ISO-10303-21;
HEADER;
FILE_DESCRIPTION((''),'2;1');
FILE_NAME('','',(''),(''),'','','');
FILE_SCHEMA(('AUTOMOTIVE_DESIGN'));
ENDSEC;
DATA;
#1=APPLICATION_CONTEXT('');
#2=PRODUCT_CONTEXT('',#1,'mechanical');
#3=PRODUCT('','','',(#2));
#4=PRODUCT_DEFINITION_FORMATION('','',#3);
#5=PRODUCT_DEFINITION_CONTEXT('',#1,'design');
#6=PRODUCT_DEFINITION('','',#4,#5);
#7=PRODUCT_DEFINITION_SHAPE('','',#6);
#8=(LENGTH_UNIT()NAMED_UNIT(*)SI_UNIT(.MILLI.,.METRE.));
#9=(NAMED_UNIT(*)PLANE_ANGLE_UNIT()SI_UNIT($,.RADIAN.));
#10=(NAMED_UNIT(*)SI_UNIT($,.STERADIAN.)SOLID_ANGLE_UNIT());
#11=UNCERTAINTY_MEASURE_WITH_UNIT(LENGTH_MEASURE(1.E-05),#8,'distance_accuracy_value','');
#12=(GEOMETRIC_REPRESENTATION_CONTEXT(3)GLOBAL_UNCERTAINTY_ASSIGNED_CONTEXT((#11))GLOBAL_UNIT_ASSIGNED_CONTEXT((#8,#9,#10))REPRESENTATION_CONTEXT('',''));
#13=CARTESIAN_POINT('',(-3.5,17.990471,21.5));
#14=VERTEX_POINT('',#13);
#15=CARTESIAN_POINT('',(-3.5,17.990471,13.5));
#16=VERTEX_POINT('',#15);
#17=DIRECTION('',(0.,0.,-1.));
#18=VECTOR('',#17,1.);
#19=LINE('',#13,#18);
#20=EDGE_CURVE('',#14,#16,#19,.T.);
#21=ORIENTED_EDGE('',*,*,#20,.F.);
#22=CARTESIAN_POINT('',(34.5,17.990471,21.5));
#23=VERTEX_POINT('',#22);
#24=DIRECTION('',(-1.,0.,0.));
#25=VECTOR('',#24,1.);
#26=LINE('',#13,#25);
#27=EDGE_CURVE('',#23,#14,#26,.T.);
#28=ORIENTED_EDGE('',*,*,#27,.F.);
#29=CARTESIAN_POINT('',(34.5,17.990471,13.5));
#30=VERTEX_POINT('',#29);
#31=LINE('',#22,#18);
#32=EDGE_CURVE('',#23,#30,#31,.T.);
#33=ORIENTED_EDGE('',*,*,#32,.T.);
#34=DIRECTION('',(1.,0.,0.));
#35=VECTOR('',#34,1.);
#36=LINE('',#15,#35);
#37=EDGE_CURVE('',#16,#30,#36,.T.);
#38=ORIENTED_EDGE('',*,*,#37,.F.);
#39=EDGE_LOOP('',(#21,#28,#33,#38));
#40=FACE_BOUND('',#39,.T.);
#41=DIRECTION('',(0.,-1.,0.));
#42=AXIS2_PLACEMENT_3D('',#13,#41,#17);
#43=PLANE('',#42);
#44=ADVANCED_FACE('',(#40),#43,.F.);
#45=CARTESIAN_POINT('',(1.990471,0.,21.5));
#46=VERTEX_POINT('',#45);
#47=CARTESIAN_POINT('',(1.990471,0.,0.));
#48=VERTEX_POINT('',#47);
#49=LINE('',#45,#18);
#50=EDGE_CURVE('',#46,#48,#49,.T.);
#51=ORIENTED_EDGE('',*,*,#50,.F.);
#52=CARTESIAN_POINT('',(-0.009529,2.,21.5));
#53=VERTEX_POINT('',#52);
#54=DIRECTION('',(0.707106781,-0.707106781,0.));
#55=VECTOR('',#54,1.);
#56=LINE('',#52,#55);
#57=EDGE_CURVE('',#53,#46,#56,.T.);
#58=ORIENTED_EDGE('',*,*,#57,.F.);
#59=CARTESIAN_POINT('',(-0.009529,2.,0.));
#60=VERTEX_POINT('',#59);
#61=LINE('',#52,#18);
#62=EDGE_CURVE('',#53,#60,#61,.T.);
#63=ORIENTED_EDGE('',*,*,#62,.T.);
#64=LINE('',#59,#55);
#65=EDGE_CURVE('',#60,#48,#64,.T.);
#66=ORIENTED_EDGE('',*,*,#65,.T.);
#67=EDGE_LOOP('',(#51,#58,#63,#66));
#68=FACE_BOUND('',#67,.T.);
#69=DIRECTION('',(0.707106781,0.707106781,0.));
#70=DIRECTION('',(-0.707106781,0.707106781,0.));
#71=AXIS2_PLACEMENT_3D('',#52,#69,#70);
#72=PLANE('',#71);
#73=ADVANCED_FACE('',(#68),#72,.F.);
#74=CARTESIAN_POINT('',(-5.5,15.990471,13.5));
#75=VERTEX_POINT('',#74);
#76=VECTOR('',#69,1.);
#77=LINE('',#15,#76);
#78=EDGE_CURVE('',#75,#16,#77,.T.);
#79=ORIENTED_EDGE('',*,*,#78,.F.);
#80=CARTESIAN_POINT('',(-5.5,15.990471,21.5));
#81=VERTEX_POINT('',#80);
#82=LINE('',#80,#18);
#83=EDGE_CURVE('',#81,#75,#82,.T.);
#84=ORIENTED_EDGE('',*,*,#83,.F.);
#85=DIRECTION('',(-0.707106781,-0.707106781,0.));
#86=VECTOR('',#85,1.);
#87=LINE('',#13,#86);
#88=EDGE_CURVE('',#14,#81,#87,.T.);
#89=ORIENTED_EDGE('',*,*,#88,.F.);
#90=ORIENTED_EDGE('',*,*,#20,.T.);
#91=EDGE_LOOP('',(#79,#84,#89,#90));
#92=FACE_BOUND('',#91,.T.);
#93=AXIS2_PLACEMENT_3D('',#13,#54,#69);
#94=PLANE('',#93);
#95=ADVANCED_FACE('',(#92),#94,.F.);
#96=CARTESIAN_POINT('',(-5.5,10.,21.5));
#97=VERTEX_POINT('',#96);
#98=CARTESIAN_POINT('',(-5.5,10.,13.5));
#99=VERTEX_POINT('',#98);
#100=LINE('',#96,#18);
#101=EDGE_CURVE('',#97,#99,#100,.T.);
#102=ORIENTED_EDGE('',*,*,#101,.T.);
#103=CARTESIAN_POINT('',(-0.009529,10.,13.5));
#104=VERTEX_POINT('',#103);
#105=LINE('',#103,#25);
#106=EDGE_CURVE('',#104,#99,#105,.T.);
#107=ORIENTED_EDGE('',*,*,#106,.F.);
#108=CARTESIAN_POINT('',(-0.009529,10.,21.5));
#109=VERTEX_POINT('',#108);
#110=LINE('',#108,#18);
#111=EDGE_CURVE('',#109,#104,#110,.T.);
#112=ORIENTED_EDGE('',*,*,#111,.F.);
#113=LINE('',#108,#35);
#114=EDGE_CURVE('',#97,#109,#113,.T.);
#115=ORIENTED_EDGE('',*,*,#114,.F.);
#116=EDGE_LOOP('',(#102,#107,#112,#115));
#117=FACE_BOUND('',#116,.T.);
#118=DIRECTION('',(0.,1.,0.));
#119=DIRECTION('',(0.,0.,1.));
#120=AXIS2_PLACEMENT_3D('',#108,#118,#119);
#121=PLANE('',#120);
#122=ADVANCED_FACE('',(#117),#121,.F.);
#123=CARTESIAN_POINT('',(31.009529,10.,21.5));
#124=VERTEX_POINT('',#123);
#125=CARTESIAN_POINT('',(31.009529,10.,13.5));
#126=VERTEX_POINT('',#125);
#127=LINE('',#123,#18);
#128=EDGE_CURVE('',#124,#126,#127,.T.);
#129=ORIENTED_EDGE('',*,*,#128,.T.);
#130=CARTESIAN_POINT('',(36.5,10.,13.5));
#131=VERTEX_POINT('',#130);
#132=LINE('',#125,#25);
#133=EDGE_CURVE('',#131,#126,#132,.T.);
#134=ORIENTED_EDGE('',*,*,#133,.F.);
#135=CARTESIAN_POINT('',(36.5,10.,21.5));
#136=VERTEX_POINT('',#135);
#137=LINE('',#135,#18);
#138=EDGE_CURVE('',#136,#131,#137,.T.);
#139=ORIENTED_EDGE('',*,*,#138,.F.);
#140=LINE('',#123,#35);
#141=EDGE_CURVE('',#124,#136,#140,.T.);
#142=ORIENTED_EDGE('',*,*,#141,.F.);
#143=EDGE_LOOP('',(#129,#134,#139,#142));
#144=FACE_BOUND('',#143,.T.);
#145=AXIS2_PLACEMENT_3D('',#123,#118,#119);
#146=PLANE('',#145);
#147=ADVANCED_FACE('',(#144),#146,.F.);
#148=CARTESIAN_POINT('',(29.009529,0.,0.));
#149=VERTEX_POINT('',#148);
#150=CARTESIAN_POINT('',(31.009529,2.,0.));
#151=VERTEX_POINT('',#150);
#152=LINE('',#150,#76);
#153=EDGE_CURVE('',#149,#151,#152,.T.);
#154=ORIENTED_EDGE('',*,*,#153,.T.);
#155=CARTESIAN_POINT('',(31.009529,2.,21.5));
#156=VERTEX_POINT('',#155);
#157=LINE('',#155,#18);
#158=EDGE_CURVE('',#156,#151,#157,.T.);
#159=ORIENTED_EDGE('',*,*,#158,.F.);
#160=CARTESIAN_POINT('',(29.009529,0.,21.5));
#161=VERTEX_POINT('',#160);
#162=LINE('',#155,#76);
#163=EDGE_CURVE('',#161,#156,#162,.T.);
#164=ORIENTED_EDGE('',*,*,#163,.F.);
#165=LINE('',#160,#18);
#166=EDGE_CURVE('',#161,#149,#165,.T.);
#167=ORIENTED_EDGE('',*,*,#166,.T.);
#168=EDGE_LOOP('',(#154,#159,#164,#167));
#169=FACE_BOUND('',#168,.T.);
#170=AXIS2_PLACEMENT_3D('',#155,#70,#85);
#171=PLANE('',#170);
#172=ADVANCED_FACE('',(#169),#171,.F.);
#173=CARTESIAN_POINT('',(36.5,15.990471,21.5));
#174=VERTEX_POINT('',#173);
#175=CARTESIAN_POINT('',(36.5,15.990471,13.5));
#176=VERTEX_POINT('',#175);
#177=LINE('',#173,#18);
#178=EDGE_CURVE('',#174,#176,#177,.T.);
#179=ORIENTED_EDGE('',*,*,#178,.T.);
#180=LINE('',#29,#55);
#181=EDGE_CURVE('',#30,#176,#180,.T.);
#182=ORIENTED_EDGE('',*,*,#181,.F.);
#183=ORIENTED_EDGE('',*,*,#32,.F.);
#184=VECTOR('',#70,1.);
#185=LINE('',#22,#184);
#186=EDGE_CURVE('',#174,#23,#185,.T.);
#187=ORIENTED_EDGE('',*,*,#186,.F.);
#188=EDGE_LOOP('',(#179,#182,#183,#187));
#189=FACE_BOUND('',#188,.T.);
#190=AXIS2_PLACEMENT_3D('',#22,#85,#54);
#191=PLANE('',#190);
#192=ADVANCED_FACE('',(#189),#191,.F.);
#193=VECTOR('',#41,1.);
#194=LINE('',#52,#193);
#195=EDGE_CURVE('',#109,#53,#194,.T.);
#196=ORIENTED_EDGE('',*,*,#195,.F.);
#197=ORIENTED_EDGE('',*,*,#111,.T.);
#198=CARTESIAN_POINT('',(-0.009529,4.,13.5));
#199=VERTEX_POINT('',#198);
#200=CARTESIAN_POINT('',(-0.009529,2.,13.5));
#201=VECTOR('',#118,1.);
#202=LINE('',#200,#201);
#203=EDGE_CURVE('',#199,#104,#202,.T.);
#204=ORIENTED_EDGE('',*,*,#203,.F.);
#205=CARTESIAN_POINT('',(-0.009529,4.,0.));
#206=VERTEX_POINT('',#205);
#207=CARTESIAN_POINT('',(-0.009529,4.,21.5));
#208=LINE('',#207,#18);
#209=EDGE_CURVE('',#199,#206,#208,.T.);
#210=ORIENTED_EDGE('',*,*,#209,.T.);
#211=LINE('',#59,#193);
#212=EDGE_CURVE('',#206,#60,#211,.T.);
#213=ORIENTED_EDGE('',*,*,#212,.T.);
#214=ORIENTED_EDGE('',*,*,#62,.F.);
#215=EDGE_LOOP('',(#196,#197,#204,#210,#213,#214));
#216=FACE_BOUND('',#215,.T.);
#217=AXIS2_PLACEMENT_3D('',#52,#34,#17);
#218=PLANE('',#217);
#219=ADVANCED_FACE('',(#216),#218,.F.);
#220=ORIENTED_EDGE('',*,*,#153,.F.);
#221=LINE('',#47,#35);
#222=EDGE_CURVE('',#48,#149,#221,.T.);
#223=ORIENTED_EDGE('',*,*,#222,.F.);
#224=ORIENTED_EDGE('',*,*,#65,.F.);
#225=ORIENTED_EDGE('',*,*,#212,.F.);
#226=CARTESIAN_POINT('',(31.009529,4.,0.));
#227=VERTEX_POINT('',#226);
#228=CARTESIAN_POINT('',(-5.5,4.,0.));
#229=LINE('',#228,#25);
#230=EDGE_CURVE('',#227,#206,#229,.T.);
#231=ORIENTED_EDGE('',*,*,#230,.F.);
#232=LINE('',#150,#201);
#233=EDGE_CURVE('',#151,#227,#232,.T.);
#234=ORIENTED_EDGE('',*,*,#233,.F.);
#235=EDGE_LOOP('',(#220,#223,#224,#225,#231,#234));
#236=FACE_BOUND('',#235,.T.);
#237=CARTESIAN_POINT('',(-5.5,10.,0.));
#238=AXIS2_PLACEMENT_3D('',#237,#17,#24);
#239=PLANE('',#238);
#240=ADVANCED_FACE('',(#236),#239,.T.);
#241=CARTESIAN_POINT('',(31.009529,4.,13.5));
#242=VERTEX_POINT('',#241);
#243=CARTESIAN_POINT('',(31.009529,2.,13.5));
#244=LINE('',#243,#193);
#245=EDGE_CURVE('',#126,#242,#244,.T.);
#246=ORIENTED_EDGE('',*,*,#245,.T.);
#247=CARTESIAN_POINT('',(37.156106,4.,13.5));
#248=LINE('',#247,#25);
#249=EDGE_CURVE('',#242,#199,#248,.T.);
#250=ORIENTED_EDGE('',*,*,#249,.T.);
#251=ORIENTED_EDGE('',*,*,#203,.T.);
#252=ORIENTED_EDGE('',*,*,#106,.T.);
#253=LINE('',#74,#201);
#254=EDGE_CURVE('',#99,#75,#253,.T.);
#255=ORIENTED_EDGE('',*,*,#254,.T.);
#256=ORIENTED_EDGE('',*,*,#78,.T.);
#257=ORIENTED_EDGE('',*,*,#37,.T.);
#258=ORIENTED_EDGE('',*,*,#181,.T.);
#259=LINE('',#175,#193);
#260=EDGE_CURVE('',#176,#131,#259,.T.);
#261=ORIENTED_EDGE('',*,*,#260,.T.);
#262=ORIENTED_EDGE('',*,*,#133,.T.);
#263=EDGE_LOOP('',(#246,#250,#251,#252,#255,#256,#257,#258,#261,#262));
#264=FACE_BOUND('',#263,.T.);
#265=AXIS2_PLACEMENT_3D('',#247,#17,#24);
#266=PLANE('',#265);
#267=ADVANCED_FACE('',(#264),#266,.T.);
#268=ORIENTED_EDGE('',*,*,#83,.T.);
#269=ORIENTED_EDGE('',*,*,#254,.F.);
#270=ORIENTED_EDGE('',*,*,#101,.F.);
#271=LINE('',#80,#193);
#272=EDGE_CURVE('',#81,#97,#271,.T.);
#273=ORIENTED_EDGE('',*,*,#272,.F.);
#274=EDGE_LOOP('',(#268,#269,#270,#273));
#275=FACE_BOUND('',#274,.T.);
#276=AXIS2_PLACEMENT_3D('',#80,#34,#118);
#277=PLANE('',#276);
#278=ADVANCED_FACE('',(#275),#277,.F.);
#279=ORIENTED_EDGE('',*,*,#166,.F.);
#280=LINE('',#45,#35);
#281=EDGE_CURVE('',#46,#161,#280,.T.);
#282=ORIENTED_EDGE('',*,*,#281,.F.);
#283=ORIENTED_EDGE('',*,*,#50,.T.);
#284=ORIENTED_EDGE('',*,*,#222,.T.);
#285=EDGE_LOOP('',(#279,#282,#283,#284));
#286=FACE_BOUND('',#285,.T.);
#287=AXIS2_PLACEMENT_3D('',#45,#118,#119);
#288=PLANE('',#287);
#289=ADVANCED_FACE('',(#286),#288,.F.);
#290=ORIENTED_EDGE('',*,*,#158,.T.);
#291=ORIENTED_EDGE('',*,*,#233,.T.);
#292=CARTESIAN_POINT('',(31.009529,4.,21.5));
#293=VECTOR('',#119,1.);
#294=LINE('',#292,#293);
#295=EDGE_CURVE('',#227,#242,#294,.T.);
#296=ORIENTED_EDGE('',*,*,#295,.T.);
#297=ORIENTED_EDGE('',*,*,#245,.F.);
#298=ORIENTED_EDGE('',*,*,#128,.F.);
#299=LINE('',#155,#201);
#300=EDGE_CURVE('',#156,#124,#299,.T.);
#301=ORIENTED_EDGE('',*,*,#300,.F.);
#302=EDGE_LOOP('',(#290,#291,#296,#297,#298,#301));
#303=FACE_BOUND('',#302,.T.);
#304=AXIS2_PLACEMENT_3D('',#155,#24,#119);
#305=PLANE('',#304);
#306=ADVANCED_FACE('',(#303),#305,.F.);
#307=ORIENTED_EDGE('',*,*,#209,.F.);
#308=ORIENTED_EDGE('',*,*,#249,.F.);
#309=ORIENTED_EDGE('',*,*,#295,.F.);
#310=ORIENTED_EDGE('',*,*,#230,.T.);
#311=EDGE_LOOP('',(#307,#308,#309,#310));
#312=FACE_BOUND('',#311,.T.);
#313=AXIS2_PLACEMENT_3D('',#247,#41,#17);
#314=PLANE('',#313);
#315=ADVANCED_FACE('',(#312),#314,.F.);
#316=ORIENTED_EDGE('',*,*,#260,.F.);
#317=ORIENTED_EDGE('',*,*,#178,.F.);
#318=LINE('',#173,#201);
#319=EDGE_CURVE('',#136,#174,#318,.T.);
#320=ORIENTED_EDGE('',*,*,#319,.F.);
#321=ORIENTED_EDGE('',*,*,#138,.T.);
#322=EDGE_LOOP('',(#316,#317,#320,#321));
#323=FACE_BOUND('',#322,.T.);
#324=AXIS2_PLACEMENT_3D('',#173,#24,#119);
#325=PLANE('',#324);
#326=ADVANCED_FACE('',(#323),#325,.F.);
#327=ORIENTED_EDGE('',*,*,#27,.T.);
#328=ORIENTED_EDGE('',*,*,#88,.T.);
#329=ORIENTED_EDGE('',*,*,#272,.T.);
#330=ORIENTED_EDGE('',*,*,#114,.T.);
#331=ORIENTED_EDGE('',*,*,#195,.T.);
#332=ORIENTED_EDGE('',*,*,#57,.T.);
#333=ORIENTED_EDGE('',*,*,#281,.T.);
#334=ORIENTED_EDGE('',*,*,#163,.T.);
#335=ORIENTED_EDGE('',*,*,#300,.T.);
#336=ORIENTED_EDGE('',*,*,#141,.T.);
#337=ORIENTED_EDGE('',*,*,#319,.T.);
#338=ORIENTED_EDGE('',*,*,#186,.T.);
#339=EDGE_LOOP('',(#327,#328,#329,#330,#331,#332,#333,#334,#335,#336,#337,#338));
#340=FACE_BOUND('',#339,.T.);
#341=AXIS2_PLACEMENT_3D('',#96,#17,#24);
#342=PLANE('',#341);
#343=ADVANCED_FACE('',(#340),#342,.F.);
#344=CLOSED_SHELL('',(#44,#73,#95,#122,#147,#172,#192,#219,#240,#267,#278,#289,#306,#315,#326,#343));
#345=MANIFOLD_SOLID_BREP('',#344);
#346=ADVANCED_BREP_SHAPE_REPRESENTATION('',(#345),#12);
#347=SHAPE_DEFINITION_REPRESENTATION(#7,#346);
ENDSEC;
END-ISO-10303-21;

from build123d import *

# Parameters (mm, degrees)
EXTRUDE_1_DEPTH     = 21.5
SKETCH_2_W          = 43.373604633
SKETCH_2_H          = 16.611508938
CUT_EXTRUDE_1_DEPTH = 13.5


with BuildPart() as part:
    # Эскиз1 → Вытянуть1 (new body)
    with BuildSketch(Plane.XY):
        Polygon((-0.0095286, 2), (1.9904714, 0), (29.0095286, 0), (31.0095286, 2), (31.0095286, 10), (36.5, 10), (36.5, 15.9904714), (34.5, 17.9904714), (-3.5, 17.9904714), (-5.5, 15.9904714), (-5.5, 10), (-0.0095286, 10), align=None)
    extrude(amount=EXTRUDE_1_DEPTH)

    # Эскиз2 → Вырез-Вытянуть1 (cut)
    with BuildSketch(Plane(origin=(0, 0, 0), x_dir=(-1, 0, 0), z_dir=(0, 0, -1))):
        with Locations((-15.469303829, 12.305754469)):
            Rectangle(SKETCH_2_W, SKETCH_2_H)
    extrude(amount=-CUT_EXTRUDE_1_DEPTH, mode=Mode.SUBTRACT)


solid = part.part
